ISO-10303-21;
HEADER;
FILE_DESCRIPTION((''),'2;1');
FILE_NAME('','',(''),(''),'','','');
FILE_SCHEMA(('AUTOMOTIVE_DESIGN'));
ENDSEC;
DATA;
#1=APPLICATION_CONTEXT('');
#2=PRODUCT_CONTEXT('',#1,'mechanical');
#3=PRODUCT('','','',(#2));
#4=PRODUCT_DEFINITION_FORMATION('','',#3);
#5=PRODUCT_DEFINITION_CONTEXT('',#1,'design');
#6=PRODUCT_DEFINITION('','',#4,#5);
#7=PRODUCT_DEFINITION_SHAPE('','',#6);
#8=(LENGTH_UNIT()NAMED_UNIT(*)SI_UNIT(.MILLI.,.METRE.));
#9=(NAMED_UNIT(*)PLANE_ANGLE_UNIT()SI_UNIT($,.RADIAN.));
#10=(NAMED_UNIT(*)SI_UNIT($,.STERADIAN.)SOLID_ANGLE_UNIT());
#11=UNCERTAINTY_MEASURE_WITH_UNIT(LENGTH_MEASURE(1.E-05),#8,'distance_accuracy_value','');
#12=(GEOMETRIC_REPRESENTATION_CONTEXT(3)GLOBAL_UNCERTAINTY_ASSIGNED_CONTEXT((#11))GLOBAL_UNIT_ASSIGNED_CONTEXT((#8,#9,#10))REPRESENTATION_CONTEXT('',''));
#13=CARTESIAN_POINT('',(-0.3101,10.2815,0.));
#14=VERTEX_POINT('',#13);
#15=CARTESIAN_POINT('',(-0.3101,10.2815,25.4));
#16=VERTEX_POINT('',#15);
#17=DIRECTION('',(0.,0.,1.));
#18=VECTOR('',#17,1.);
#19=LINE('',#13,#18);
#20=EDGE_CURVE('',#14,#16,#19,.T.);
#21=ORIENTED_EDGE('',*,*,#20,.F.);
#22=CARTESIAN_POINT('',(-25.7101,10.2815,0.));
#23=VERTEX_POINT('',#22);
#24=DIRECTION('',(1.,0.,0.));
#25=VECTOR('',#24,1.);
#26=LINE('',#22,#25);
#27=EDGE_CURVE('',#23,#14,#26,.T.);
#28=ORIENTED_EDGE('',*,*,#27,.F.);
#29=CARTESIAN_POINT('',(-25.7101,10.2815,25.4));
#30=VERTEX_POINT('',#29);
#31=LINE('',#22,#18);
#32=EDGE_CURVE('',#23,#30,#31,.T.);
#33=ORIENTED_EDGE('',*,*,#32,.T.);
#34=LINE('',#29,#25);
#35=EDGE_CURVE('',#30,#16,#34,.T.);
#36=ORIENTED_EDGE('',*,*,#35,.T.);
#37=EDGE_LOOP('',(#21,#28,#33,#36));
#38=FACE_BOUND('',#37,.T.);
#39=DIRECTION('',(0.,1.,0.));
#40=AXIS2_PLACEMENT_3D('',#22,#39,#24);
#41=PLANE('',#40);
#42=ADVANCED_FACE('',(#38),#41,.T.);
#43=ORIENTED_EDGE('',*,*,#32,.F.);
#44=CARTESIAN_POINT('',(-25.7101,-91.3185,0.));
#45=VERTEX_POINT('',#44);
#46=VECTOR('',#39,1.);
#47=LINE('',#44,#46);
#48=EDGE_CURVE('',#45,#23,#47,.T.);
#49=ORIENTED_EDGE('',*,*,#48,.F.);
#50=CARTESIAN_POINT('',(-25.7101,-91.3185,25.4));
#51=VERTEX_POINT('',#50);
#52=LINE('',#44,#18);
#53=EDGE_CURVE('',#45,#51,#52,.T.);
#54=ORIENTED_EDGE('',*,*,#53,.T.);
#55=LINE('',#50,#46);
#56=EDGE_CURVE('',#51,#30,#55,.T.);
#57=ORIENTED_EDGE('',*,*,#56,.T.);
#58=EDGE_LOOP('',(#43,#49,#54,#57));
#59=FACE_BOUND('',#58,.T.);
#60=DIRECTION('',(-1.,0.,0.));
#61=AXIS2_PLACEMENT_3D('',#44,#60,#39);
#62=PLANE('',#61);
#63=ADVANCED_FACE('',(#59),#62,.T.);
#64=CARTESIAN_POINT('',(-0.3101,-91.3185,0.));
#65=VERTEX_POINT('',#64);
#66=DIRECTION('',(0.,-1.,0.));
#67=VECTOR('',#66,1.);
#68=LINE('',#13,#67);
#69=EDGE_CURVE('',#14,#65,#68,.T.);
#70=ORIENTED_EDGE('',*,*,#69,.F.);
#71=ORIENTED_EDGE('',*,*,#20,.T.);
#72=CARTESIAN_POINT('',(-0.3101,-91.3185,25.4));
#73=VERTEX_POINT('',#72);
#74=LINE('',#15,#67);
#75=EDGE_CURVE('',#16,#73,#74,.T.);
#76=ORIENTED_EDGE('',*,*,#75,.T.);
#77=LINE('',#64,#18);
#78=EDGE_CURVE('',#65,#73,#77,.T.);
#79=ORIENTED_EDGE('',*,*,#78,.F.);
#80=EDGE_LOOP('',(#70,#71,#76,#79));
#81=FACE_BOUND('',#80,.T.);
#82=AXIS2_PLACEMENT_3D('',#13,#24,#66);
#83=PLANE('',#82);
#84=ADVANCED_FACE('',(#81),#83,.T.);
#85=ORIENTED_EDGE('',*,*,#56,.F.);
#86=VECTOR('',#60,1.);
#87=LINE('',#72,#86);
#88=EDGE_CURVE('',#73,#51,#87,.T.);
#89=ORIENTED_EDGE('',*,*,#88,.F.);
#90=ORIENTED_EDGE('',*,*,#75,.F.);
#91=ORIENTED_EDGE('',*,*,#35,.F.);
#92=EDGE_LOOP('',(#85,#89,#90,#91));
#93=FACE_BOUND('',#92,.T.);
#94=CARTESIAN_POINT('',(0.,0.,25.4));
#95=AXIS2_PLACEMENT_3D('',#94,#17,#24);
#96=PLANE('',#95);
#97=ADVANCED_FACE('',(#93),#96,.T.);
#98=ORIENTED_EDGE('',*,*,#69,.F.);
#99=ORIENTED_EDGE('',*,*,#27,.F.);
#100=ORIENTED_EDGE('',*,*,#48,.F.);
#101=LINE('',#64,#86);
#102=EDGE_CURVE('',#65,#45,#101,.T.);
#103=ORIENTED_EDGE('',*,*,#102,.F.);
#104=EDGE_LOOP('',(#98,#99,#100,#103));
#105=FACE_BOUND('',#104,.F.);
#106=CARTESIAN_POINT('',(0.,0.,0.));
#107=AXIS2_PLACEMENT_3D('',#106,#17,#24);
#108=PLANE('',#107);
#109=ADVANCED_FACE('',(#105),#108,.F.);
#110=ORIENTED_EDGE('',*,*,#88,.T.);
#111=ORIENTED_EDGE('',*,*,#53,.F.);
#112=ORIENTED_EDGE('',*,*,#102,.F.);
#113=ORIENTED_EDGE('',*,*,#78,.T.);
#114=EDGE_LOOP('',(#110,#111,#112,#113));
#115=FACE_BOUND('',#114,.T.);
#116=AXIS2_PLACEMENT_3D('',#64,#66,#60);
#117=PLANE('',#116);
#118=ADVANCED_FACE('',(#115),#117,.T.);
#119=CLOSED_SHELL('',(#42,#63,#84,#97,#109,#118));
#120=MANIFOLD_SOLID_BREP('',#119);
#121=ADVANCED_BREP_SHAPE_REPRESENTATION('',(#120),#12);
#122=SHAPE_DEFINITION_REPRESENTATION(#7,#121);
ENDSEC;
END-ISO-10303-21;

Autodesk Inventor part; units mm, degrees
ref_plane "YZ Plane" through (0, 0, 0) normal (1, 0, 0) x (0, 1, 0)
ref_plane "XZ Plane" through (0, 0, 0) normal (0, 1, 0) x (-1, 0, 0)
ref_plane "XY Plane" through (0, 0, 0) normal (0, 0, 1) x (1, 0, 0)
sketch "Sketch1" plane through (0, 0, 0) normal (0, 0, 1) x (1, 0, 0)
  line L0 (-25.7101, 10.2815) -> (-0.3101, 10.2815)
  line L1 (-0.3101, 10.2815) -> (-0.3101, -91.3185)
  line L2 (-0.3101, -91.3185) -> (-25.7101, -91.3185)
  line L3 (-25.7101, -91.3185) -> (-25.7101, 10.2815)
  point P0 (0, 0)
  dimension "d0" = 25.4
  dimension "d1" = 101.6
extrude "Extrusion1" add sketch "Sketch1" along normal blind 25.4
properties part number "HatchArmGripperFingers"
